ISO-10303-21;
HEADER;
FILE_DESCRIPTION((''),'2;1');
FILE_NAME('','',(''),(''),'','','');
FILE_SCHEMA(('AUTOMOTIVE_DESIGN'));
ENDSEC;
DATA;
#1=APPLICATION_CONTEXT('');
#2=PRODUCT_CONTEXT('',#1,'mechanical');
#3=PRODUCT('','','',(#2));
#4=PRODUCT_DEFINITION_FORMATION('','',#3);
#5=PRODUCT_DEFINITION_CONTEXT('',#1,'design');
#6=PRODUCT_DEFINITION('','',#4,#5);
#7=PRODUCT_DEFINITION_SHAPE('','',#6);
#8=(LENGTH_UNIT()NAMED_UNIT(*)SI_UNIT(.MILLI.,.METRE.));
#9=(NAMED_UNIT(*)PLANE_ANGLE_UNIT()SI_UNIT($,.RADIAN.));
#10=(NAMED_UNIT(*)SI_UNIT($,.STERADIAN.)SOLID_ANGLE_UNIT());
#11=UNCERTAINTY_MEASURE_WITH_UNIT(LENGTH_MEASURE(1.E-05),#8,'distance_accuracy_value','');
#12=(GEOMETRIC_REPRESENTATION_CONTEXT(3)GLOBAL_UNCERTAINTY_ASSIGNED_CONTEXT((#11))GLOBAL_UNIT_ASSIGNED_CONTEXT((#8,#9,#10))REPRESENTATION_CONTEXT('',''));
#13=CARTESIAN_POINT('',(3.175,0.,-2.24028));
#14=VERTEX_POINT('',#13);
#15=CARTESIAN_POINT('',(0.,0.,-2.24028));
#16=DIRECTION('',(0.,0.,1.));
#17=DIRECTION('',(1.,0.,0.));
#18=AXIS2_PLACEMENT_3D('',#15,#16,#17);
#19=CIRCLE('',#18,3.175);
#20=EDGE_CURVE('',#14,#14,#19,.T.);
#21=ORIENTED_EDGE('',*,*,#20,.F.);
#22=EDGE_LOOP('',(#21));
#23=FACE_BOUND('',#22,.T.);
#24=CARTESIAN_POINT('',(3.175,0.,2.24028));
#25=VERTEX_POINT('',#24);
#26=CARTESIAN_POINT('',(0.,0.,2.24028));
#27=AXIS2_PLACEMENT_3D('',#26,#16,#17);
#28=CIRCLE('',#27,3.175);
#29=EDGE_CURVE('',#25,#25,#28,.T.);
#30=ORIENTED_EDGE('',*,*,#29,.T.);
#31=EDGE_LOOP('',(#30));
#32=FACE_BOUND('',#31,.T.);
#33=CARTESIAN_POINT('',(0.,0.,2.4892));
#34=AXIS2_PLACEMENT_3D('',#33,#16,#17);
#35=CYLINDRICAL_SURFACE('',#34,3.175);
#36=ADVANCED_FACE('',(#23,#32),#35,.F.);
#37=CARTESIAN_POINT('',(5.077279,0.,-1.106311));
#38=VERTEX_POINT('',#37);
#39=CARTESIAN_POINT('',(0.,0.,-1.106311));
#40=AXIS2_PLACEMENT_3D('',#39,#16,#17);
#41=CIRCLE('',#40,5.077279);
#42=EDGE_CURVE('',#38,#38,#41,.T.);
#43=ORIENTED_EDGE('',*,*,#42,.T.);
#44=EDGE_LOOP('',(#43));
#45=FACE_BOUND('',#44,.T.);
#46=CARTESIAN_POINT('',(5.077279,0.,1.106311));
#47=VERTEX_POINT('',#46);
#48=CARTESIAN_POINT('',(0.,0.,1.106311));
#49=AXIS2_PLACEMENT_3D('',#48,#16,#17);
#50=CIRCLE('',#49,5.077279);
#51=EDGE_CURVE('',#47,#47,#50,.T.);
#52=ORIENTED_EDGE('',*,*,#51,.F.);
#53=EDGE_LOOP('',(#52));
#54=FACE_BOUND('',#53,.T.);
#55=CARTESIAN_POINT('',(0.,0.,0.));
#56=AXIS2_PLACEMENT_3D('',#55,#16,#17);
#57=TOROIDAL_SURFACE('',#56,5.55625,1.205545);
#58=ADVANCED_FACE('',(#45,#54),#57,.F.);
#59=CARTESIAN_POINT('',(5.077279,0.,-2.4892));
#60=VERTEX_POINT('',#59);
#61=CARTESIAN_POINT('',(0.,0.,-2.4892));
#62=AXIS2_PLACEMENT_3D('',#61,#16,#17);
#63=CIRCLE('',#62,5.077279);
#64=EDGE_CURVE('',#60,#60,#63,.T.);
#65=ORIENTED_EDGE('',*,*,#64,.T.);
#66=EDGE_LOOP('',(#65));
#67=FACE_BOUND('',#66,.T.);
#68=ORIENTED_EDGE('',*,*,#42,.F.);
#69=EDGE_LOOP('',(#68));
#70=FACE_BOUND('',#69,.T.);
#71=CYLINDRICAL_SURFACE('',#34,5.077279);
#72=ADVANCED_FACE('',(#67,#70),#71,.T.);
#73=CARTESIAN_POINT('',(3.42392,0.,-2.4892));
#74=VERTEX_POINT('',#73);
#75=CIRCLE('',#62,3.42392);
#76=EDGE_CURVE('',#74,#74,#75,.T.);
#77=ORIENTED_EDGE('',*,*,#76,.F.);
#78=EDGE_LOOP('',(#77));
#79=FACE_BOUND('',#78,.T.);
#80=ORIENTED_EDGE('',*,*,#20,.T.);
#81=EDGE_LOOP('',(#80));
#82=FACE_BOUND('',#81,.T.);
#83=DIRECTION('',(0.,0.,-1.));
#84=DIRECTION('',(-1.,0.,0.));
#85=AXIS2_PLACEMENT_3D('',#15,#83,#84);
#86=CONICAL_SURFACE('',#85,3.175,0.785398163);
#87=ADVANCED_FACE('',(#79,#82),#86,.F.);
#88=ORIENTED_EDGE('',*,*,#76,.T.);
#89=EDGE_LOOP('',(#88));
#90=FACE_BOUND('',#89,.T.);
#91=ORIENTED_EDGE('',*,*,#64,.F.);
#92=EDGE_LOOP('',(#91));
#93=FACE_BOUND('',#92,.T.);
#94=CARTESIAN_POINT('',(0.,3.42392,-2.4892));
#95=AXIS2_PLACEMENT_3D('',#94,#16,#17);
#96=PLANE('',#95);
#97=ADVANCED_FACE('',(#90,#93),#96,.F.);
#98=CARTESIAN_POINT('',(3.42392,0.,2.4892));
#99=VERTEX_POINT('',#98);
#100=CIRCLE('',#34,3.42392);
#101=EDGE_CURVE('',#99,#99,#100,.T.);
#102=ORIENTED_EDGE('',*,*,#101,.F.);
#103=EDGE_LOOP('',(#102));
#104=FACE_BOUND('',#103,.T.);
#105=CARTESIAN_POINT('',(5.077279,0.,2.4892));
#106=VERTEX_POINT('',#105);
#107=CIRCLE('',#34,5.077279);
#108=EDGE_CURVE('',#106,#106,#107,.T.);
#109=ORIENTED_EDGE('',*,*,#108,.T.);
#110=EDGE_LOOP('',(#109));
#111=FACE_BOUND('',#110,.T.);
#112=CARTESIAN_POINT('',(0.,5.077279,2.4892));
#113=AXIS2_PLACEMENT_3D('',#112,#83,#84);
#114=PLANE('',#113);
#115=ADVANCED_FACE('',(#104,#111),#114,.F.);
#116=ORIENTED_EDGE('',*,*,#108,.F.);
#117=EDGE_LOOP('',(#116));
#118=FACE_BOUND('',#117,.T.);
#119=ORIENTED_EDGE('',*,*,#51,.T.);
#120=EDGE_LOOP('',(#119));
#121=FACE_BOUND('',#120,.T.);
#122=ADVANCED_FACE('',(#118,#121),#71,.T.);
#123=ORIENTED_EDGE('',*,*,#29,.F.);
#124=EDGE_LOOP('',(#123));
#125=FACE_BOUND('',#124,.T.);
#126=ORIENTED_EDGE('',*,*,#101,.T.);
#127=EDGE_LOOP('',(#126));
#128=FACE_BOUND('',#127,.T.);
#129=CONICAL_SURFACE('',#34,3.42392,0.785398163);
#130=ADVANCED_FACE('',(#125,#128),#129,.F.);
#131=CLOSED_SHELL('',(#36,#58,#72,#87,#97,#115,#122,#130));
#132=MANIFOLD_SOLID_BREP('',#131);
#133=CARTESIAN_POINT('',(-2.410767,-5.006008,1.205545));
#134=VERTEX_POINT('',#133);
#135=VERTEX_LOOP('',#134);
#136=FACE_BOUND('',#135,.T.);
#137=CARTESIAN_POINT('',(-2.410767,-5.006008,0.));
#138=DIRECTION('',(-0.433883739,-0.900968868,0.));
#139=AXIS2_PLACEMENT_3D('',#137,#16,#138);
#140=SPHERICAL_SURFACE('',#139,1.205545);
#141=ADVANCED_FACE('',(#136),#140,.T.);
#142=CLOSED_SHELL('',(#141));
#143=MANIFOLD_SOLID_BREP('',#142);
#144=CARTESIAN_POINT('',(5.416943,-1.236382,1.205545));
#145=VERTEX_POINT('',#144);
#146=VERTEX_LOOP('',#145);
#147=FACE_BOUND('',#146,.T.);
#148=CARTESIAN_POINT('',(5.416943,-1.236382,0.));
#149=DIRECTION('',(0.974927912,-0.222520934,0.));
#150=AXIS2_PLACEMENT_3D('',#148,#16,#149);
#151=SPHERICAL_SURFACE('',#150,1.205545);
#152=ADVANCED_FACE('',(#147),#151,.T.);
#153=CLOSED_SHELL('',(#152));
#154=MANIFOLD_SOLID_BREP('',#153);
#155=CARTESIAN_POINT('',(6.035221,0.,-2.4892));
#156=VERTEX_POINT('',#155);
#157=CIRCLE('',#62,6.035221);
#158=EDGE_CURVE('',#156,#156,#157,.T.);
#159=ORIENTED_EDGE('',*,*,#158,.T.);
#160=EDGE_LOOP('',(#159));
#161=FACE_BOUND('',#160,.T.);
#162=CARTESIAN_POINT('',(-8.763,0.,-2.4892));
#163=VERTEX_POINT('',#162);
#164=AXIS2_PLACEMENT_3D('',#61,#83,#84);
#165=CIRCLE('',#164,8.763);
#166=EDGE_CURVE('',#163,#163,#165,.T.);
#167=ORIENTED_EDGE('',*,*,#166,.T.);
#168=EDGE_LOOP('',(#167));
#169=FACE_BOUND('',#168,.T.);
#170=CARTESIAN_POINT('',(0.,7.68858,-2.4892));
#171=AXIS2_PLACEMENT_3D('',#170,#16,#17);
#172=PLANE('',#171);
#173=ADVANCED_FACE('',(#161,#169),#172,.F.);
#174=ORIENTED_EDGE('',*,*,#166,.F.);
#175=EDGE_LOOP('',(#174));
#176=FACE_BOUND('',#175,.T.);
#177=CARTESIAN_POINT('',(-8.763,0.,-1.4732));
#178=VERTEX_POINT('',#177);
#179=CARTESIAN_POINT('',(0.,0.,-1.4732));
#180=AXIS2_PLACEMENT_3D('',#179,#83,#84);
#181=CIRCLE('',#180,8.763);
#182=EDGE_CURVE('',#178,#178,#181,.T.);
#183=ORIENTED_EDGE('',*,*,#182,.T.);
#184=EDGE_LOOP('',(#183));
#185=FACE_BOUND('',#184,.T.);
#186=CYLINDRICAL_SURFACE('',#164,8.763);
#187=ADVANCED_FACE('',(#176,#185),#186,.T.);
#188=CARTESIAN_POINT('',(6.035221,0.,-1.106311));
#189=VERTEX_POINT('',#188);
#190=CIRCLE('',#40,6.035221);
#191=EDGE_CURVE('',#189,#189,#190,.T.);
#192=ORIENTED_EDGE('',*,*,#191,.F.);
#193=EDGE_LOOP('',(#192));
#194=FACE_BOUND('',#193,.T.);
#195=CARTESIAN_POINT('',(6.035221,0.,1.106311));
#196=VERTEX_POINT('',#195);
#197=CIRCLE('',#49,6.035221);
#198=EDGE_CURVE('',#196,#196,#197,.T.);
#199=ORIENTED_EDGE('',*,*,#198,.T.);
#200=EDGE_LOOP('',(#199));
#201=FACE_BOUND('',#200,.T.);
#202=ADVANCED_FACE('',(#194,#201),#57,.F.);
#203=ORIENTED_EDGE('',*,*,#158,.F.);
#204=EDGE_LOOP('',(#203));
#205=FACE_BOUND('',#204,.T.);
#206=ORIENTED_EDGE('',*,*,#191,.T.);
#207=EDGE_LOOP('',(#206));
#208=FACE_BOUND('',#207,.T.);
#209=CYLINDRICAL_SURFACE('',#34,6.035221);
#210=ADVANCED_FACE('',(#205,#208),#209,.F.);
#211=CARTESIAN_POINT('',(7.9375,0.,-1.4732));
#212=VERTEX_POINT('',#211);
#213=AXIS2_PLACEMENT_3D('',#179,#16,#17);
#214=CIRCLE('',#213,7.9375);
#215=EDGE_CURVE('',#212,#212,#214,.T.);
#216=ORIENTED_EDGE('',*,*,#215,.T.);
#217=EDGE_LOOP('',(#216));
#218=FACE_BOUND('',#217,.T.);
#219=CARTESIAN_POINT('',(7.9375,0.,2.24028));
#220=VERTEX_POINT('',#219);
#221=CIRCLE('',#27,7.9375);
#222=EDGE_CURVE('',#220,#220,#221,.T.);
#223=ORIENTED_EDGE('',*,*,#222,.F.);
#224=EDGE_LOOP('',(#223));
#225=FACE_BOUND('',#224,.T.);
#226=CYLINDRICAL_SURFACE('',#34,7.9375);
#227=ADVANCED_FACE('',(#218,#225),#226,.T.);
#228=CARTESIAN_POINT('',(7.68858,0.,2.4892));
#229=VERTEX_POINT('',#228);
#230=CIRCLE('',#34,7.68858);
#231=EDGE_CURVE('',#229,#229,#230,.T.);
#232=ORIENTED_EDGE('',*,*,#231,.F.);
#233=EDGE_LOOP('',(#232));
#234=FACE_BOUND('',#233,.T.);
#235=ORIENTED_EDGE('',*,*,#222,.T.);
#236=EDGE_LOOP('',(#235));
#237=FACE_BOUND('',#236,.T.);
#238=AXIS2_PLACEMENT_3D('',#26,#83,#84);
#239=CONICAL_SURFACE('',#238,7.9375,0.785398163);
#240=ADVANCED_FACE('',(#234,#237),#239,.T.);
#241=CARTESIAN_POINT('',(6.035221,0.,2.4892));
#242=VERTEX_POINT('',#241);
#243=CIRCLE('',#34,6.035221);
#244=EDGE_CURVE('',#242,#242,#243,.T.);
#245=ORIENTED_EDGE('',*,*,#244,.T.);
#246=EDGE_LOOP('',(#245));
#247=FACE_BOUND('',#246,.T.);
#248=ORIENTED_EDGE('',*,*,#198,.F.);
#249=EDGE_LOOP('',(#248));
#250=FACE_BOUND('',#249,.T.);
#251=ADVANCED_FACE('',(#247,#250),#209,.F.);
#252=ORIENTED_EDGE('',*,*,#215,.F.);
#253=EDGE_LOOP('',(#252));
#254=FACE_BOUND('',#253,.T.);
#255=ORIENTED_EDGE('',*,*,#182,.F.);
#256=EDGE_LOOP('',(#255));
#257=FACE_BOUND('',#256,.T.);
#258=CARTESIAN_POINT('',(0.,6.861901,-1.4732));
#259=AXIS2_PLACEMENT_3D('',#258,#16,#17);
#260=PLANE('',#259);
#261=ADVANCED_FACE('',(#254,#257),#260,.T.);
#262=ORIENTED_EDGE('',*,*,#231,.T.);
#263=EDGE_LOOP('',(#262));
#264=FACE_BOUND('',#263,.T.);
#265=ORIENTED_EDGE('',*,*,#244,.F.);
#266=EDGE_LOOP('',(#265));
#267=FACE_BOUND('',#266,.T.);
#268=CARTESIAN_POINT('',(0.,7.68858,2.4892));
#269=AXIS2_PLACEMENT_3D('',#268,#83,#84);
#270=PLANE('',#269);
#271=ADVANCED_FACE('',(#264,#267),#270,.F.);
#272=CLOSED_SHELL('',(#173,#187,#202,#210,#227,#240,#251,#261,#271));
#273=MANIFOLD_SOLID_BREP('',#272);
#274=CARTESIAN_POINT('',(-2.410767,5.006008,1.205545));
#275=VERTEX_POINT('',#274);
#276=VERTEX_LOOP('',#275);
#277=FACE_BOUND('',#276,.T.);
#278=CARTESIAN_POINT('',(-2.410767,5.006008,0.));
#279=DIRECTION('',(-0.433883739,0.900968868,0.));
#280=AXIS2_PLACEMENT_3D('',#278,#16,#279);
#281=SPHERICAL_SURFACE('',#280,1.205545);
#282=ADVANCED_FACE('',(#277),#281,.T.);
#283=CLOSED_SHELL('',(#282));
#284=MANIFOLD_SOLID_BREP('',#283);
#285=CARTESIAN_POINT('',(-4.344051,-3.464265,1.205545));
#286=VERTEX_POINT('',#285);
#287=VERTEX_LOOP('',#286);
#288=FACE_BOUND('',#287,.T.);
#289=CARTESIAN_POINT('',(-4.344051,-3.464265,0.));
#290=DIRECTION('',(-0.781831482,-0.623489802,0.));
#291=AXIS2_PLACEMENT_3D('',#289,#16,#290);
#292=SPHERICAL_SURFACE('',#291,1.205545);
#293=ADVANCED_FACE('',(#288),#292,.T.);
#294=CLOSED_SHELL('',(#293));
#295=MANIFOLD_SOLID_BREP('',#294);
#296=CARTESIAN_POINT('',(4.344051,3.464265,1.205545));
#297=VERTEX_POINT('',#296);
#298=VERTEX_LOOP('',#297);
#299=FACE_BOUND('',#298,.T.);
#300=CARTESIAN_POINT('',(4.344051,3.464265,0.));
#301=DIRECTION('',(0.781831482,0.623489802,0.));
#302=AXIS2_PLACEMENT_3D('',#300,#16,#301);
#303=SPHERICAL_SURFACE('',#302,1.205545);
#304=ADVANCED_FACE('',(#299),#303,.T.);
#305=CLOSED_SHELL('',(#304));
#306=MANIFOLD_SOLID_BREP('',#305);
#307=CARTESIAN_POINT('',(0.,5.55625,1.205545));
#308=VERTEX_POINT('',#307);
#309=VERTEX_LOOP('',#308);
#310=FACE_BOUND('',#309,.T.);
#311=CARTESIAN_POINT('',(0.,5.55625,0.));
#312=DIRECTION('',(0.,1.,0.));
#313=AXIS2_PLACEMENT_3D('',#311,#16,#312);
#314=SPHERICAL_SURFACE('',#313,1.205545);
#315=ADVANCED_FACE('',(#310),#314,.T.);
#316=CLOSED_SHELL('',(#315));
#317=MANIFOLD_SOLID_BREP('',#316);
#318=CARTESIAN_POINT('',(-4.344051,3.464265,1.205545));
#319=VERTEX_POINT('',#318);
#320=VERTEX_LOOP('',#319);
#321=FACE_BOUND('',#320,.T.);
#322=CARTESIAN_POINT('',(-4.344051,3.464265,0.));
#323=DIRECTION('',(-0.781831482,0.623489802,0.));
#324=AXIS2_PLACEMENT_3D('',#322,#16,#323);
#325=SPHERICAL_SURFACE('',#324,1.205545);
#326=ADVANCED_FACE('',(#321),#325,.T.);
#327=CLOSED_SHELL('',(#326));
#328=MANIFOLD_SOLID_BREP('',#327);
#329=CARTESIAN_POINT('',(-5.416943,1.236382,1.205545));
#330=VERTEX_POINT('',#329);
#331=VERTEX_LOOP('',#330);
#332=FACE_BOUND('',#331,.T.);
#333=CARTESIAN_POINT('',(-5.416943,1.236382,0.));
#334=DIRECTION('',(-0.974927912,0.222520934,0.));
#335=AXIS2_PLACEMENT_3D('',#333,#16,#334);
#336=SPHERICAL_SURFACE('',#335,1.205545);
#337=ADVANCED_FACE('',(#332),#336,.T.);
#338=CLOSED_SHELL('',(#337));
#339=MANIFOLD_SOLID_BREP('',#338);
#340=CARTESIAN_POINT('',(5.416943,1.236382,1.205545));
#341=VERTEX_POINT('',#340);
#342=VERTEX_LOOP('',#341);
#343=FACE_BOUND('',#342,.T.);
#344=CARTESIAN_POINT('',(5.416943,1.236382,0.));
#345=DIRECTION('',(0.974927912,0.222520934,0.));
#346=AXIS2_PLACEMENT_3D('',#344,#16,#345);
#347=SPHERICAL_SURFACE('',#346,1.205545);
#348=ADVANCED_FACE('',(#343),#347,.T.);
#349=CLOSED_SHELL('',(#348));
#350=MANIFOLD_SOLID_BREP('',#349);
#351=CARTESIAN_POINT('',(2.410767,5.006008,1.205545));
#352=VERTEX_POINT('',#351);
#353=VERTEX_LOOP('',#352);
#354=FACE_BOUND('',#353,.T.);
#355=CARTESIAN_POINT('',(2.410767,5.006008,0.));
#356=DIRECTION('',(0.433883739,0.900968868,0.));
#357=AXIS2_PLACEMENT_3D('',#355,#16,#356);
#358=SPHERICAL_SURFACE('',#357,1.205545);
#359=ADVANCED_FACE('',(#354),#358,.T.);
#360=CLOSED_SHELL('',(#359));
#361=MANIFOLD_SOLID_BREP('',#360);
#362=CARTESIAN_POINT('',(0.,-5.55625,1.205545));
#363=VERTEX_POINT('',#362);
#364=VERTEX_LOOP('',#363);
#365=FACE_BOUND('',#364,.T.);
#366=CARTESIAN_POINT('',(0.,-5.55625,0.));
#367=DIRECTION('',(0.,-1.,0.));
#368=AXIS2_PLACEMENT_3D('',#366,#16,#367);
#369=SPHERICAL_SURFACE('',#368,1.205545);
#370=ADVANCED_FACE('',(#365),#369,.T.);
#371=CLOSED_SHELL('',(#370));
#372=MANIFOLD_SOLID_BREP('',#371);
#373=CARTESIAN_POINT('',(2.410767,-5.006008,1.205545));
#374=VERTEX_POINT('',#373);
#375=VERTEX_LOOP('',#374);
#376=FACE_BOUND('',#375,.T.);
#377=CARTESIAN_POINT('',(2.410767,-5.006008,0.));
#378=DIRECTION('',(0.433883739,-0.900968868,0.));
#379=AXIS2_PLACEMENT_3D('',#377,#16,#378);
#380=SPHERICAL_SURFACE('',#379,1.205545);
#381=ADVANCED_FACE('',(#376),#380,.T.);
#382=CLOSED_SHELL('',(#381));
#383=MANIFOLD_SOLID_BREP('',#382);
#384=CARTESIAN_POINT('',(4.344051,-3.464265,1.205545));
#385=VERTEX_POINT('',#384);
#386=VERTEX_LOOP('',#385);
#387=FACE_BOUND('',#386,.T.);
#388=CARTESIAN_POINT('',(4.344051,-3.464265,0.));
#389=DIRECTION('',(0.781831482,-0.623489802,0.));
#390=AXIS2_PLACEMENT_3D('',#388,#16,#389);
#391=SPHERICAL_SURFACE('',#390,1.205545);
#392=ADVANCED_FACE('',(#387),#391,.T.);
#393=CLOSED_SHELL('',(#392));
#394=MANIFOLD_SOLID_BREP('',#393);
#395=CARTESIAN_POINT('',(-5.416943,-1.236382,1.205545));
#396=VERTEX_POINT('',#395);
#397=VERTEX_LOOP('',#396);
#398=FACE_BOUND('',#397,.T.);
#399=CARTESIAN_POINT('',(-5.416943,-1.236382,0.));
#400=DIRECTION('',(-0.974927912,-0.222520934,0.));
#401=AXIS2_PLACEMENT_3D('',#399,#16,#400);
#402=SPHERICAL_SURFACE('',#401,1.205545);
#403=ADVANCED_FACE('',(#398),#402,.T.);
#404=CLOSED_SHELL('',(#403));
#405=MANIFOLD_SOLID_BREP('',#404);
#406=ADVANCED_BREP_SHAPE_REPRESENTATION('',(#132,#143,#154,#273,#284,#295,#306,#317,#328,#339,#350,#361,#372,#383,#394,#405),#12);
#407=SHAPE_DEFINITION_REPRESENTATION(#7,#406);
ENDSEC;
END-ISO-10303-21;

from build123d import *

# Parameters (mm, degrees)
SKETCH5_W         = 1.016
SKETCH5_H         = 1.901099286
CIRPATTERN1_COUNT = 14


with BuildPart() as part:
    # Sketch1 → Revolve1 (revolve)
    with BuildSketch(Plane(origin=(0, 0, 0), x_dir=(0, 0, -1), z_dir=(1, 0, 0))):
        with BuildLine():
            Line((2.24028, 7.9375), (-2.24028, 7.9375))
            Line((-2.24028, 7.9375), (-2.4892, 7.68858))
            Line((-2.4892, 7.68858), (-2.4892, 6.035221429))
            Line((-2.4892, 6.035221429), (-1.106311111, 6.035221429))
            ThreePointArc((-1.106311111, 6.035221429), (0, 6.76179465), (1.106311111, 6.035221429))
            Line((1.106311111, 6.035221429), (2.4892, 6.035221429))
            Line((2.4892, 6.035221429), (2.4892, 7.68858))
            Line((2.4892, 7.68858), (2.24028, 7.9375))
        make_face()
    revolve(axis=Axis((0, 0, 2.4892), (0, 0, -1)))

    # Sketch5 → Revolve5 (revolve)
    with BuildSketch(Plane(origin=(0, 0, 0), x_dir=(0, 0, -1), z_dir=(1, 0, 0))):
        with Locations((1.9812, 7.812450357)):
            Rectangle(SKETCH5_W, SKETCH5_H)
    revolve(axis=Axis((0, 0, -2.4892), (0, 0, 1)))


with BuildPart() as body_2:
    # Sketch3 → Revolve3 (revolve)
    with BuildSketch(Plane(origin=(0, 0, 0), x_dir=(0, 0, -1), z_dir=(1, 0, 0))):
        with BuildLine():
            Line((-1.106311111, 5.077278571), (-2.4892, 5.077278571))
            Line((-2.4892, 5.077278571), (-2.4892, 3.42392))
            Line((-2.4892, 3.42392), (-2.24028, 3.175))
            Line((-2.24028, 3.175), (2.24028, 3.175))
            Line((2.24028, 3.175), (2.4892, 3.42392))
            Line((2.4892, 3.42392), (2.4892, 5.077278571))
            Line((2.4892, 5.077278571), (1.106311111, 5.077278571))
            ThreePointArc((1.106311111, 5.077278571), (0, 4.35070535), (-1.106311111, 5.077278571))
        make_face()
    revolve(axis=Axis((0, 0, 2.4892), (0, 0, -1)))


with BuildPart() as body_3:
    # Sketch4 → Revolve4 (revolve)
    with BuildSketch(Plane(origin=(0, 0, 0), x_dir=(0, 0, -1), z_dir=(1, 0, 0))):
        with BuildLine():
            Line((-1.20554465, 5.55625), (1.20554465, 5.55625))
            ThreePointArc((1.20554465, 5.55625), (0, 6.76179465), (-1.20554465, 5.55625))
        make_face()
    revolve(axis=Axis((0, 5.55625, 1.20554465), (0, 0, -1)))


with BuildPart() as cirpattern1_1:
    # CirPattern1: pattern copy
    add(body_3.part.rotate(Axis((0, 0, -2.4892), (0, 0, 1)), 1 * 360 / CIRPATTERN1_COUNT))


with BuildPart() as cirpattern1_2:
    # CirPattern1: pattern copy
    add(body_3.part.rotate(Axis((0, 0, -2.4892), (0, 0, 1)), 2 * 360 / CIRPATTERN1_COUNT))


with BuildPart() as cirpattern1_3:
    # CirPattern1: pattern copy
    add(body_3.part.rotate(Axis((0, 0, -2.4892), (0, 0, 1)), 3 * 360 / CIRPATTERN1_COUNT))


with BuildPart() as cirpattern1_4:
    # CirPattern1: pattern copy
    add(body_3.part.rotate(Axis((0, 0, -2.4892), (0, 0, 1)), 4 * 360 / CIRPATTERN1_COUNT))


with BuildPart() as cirpattern1_5:
    # CirPattern1: pattern copy
    add(body_3.part.rotate(Axis((0, 0, -2.4892), (0, 0, 1)), 5 * 360 / CIRPATTERN1_COUNT))


with BuildPart() as cirpattern1_6:
    # CirPattern1: pattern copy
    add(body_3.part.rotate(Axis((0, 0, -2.4892), (0, 0, 1)), 6 * 360 / CIRPATTERN1_COUNT))


with BuildPart() as cirpattern1_7:
    # CirPattern1: pattern copy
    add(body_3.part.rotate(Axis((0, 0, -2.4892), (0, 0, 1)), 7 * 360 / CIRPATTERN1_COUNT))


with BuildPart() as cirpattern1_8:
    # CirPattern1: pattern copy
    add(body_3.part.rotate(Axis((0, 0, -2.4892), (0, 0, 1)), 8 * 360 / CIRPATTERN1_COUNT))


with BuildPart() as cirpattern1_9:
    # CirPattern1: pattern copy
    add(body_3.part.rotate(Axis((0, 0, -2.4892), (0, 0, 1)), 9 * 360 / CIRPATTERN1_COUNT))


with BuildPart() as cirpattern1_10:
    # CirPattern1: pattern copy
    add(body_3.part.rotate(Axis((0, 0, -2.4892), (0, 0, 1)), 10 * 360 / CIRPATTERN1_COUNT))


with BuildPart() as cirpattern1_11:
    # CirPattern1: pattern copy
    add(body_3.part.rotate(Axis((0, 0, -2.4892), (0, 0, 1)), 11 * 360 / CIRPATTERN1_COUNT))


with BuildPart() as cirpattern1_12:
    # CirPattern1: pattern copy
    add(body_3.part.rotate(Axis((0, 0, -2.4892), (0, 0, 1)), 12 * 360 / CIRPATTERN1_COUNT))


with BuildPart() as cirpattern1_13:
    # CirPattern1: pattern copy
    add(body_3.part.rotate(Axis((0, 0, -2.4892), (0, 0, 1)), 13 * 360 / CIRPATTERN1_COUNT))


solid = Compound([part.part, body_2.part, body_3.part, cirpattern1_1.part, cirpattern1_2.part, cirpattern1_3.part, cirpattern1_4.part, cirpattern1_5.part, cirpattern1_6.part, cirpattern1_7.part, cirpattern1_8.part, cirpattern1_9.part, cirpattern1_10.part, cirpattern1_11.part, cirpattern1_12.part, cirpattern1_13.part])
